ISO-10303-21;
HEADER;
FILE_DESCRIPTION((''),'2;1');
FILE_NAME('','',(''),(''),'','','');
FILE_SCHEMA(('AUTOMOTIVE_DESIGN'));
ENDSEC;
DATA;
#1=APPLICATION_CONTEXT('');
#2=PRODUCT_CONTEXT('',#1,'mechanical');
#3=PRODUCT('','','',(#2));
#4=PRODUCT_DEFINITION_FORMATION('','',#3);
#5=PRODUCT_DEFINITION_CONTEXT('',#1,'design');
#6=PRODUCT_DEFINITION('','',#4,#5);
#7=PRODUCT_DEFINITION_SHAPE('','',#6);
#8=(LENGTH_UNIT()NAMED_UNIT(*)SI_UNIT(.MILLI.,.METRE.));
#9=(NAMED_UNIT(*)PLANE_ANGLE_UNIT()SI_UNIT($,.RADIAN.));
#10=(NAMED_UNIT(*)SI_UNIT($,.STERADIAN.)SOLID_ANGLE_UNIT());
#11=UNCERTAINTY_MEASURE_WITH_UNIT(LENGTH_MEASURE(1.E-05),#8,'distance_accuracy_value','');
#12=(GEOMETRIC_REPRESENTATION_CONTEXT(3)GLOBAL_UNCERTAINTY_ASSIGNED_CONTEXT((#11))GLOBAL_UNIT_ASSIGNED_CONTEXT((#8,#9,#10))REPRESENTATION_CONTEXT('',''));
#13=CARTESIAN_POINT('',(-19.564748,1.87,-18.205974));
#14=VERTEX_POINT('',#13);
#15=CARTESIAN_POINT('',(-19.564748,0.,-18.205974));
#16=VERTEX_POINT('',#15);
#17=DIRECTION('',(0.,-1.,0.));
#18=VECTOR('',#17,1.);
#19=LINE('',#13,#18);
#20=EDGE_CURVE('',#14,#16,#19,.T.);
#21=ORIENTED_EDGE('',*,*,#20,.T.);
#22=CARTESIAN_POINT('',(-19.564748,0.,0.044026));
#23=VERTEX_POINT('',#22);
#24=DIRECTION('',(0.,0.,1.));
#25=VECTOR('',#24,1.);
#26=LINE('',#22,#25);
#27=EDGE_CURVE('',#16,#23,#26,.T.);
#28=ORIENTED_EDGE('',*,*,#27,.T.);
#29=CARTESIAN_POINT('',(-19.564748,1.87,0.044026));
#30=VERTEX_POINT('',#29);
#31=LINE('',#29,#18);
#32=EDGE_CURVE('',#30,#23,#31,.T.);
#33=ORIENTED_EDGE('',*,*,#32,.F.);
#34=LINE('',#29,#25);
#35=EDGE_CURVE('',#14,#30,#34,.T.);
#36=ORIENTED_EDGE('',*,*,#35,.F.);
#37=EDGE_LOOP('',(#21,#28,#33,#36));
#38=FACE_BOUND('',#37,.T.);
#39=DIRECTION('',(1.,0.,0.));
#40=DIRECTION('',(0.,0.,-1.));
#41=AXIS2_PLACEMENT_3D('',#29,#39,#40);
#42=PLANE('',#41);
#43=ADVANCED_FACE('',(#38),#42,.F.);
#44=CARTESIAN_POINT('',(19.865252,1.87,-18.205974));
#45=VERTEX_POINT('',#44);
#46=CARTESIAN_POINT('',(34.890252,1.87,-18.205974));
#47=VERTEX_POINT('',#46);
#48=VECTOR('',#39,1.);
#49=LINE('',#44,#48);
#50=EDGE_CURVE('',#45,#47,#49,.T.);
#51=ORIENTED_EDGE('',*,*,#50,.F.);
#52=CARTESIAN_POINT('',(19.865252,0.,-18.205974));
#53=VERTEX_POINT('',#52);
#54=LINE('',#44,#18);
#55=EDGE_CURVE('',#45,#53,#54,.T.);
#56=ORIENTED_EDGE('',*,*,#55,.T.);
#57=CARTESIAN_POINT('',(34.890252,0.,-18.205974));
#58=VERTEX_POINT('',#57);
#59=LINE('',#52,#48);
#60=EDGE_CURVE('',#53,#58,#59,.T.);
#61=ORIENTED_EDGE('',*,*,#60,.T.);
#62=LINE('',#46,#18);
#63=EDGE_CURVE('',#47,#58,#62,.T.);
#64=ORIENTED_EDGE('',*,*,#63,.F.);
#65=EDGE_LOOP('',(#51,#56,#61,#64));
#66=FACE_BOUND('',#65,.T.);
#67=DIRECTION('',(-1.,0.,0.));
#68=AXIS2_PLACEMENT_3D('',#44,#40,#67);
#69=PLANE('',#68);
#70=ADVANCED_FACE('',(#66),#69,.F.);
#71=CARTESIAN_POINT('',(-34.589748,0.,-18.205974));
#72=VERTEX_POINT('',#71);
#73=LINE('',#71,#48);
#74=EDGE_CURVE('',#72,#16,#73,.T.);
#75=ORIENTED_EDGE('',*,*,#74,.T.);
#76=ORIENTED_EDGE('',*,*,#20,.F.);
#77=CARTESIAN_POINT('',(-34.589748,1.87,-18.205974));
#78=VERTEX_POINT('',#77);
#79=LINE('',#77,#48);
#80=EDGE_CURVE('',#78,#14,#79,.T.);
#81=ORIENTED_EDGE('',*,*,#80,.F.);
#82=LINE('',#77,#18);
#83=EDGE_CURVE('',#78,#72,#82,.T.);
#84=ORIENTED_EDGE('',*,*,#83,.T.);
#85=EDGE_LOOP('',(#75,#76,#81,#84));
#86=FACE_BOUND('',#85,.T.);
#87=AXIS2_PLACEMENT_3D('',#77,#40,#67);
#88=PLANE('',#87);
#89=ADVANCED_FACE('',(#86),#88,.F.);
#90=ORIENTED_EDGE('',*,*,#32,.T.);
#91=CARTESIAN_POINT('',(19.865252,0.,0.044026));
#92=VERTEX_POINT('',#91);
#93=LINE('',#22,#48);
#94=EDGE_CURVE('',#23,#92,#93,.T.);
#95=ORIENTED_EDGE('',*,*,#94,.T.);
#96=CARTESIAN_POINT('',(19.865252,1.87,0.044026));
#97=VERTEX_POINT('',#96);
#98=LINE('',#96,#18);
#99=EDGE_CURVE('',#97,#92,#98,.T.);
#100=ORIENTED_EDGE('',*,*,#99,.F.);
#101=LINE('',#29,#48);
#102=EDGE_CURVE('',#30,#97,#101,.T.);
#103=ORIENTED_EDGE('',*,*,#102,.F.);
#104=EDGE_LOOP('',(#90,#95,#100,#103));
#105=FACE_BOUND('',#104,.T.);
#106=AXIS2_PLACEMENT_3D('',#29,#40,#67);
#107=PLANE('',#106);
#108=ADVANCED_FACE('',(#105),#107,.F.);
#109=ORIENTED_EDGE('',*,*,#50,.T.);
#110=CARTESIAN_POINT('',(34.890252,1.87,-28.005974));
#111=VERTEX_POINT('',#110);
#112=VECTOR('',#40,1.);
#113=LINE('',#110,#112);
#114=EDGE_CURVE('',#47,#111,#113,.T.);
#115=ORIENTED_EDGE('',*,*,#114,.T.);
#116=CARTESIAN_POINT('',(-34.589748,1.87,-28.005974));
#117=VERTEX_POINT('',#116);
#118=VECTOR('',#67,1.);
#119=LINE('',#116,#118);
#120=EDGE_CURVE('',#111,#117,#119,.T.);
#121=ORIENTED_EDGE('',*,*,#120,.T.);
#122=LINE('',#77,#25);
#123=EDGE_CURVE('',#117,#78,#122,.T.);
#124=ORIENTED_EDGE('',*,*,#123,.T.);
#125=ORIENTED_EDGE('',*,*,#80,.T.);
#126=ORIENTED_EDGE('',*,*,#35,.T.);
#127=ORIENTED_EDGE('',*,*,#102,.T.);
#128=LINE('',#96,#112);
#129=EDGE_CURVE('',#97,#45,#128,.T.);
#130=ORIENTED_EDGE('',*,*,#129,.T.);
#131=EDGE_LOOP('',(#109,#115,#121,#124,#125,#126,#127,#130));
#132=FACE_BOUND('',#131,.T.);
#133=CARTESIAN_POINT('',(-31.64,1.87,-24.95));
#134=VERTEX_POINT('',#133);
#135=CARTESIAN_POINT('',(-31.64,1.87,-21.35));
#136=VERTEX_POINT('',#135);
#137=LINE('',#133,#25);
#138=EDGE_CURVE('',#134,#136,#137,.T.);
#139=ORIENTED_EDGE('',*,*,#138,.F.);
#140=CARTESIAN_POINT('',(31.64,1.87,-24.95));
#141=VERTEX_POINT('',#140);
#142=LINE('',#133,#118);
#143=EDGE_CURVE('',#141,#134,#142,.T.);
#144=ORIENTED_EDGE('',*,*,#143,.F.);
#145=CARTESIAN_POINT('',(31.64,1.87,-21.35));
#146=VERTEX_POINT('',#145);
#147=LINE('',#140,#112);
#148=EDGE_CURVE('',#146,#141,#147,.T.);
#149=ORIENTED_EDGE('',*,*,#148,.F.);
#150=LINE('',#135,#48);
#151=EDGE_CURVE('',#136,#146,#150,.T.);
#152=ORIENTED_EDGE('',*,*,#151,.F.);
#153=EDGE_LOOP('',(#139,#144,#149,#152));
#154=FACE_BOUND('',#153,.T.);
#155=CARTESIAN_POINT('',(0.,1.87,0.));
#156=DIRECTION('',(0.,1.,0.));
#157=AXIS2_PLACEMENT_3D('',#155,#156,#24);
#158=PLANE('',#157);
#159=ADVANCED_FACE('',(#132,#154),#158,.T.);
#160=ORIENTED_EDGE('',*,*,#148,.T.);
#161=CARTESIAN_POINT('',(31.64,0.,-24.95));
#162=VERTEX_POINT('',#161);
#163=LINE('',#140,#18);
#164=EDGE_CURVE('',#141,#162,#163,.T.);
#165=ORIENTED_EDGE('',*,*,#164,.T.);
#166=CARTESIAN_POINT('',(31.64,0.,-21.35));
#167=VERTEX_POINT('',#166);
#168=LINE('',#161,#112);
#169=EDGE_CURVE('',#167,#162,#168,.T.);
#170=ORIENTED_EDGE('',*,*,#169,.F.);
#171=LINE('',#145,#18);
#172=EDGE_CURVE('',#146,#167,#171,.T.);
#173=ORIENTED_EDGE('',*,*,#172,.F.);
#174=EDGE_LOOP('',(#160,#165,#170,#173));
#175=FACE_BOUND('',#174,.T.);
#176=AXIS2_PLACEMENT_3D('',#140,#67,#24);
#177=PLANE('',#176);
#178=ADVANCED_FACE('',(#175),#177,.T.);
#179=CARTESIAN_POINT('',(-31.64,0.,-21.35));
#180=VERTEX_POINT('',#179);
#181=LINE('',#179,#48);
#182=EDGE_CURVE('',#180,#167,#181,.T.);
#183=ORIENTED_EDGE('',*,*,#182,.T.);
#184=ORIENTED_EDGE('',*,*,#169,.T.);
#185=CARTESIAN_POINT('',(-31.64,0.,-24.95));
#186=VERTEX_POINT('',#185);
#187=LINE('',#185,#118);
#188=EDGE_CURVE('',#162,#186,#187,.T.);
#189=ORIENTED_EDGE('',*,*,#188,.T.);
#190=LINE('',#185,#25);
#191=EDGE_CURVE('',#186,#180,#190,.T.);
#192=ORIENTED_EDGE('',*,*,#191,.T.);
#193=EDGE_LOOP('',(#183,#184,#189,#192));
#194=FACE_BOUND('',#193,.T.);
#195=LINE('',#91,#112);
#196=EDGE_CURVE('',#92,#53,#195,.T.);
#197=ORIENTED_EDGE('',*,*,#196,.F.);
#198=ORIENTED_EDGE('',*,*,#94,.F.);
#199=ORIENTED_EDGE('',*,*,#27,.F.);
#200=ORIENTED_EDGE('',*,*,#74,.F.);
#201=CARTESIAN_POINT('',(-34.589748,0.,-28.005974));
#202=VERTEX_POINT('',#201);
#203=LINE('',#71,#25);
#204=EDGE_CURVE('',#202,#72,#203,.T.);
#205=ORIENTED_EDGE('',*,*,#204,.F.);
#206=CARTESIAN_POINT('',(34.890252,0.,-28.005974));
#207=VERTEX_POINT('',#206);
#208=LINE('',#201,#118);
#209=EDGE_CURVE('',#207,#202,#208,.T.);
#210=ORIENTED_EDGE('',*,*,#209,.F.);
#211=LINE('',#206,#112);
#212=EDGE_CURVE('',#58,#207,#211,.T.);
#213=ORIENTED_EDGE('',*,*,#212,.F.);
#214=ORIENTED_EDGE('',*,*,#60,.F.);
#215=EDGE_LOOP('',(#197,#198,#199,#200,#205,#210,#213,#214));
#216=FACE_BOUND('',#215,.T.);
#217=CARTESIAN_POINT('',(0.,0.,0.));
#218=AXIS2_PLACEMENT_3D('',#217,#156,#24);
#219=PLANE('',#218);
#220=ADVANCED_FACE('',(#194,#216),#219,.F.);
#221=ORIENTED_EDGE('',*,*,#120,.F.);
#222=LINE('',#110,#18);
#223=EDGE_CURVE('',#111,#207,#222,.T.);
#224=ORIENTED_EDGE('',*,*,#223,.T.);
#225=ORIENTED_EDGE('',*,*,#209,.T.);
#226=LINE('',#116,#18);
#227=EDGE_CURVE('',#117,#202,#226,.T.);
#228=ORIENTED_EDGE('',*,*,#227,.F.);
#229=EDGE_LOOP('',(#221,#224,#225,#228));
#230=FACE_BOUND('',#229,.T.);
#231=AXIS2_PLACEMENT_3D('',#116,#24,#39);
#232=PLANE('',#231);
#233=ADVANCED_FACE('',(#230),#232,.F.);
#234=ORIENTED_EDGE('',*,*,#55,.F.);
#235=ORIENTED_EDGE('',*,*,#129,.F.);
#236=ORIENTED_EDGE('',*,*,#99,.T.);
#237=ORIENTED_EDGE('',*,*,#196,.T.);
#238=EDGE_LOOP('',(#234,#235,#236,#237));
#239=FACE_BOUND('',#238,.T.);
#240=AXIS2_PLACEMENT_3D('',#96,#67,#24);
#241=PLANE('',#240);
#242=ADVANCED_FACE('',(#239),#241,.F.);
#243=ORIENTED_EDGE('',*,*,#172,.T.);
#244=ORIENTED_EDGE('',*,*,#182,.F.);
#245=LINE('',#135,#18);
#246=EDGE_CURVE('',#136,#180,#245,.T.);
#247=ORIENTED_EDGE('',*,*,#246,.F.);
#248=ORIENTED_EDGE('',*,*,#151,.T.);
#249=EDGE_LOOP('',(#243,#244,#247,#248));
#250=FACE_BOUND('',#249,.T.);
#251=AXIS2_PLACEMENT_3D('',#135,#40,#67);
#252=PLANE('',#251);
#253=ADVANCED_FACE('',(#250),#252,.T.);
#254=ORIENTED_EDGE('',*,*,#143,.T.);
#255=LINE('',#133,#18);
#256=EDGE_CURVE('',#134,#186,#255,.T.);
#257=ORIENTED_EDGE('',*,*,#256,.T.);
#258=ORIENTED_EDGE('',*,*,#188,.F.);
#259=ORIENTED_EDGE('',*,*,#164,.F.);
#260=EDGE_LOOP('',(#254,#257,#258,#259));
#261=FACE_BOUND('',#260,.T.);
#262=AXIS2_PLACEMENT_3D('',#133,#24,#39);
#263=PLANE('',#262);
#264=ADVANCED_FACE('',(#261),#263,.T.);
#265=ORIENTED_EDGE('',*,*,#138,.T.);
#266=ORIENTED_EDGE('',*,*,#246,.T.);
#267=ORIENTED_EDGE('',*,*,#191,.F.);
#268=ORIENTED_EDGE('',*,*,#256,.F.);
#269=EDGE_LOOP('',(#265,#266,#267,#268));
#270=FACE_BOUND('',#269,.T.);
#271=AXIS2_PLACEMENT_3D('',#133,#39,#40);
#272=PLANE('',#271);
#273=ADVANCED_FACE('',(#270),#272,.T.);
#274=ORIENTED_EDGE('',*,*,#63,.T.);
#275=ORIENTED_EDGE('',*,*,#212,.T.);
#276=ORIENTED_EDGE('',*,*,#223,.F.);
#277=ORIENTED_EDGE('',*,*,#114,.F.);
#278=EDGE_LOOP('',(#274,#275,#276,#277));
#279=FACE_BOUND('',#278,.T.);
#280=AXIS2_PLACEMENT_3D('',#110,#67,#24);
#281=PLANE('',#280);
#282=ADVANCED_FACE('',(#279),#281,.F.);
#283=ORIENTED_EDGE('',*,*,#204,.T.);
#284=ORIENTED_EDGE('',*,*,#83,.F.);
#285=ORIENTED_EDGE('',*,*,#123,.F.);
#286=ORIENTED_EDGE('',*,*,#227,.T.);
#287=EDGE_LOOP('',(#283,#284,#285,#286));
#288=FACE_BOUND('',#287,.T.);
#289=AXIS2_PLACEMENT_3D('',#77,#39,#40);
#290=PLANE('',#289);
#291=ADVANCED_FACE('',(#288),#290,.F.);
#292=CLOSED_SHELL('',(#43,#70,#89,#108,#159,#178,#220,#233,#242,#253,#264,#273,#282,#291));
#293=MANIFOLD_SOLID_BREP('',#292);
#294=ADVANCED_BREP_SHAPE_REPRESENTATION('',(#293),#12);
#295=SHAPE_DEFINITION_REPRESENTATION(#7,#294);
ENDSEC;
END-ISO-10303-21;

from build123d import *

# Parameters (mm, degrees)
ESQUISSE1_W        = 63.28
ESQUISSE1_H        = 3.6
BOSS_EXTRU_3_DEPTH = 1.87


with BuildPart() as part:
    # Esquisse1 → Boss.-Extru.3 (new body)
    with BuildSketch(Plane(origin=(0, 0, 0), x_dir=(1, 0, 0), z_dir=(0, 1, 0))):
        Polygon((-34.589747859, 18.205974345), (-34.589747859, 28.005974345), (34.890252141, 28.005974345), (34.890252141, 18.205974345), (19.865252141, 18.205974345), (19.865252141, -0.044025655), (-19.564747859, -0.044025655), (-19.564747859, 18.205974345), align=None)
        with Locations((0, 23.15)):
            Rectangle(ESQUISSE1_W, ESQUISSE1_H, mode=Mode.SUBTRACT)
    extrude(amount=BOSS_EXTRU_3_DEPTH)


solid = part.part
